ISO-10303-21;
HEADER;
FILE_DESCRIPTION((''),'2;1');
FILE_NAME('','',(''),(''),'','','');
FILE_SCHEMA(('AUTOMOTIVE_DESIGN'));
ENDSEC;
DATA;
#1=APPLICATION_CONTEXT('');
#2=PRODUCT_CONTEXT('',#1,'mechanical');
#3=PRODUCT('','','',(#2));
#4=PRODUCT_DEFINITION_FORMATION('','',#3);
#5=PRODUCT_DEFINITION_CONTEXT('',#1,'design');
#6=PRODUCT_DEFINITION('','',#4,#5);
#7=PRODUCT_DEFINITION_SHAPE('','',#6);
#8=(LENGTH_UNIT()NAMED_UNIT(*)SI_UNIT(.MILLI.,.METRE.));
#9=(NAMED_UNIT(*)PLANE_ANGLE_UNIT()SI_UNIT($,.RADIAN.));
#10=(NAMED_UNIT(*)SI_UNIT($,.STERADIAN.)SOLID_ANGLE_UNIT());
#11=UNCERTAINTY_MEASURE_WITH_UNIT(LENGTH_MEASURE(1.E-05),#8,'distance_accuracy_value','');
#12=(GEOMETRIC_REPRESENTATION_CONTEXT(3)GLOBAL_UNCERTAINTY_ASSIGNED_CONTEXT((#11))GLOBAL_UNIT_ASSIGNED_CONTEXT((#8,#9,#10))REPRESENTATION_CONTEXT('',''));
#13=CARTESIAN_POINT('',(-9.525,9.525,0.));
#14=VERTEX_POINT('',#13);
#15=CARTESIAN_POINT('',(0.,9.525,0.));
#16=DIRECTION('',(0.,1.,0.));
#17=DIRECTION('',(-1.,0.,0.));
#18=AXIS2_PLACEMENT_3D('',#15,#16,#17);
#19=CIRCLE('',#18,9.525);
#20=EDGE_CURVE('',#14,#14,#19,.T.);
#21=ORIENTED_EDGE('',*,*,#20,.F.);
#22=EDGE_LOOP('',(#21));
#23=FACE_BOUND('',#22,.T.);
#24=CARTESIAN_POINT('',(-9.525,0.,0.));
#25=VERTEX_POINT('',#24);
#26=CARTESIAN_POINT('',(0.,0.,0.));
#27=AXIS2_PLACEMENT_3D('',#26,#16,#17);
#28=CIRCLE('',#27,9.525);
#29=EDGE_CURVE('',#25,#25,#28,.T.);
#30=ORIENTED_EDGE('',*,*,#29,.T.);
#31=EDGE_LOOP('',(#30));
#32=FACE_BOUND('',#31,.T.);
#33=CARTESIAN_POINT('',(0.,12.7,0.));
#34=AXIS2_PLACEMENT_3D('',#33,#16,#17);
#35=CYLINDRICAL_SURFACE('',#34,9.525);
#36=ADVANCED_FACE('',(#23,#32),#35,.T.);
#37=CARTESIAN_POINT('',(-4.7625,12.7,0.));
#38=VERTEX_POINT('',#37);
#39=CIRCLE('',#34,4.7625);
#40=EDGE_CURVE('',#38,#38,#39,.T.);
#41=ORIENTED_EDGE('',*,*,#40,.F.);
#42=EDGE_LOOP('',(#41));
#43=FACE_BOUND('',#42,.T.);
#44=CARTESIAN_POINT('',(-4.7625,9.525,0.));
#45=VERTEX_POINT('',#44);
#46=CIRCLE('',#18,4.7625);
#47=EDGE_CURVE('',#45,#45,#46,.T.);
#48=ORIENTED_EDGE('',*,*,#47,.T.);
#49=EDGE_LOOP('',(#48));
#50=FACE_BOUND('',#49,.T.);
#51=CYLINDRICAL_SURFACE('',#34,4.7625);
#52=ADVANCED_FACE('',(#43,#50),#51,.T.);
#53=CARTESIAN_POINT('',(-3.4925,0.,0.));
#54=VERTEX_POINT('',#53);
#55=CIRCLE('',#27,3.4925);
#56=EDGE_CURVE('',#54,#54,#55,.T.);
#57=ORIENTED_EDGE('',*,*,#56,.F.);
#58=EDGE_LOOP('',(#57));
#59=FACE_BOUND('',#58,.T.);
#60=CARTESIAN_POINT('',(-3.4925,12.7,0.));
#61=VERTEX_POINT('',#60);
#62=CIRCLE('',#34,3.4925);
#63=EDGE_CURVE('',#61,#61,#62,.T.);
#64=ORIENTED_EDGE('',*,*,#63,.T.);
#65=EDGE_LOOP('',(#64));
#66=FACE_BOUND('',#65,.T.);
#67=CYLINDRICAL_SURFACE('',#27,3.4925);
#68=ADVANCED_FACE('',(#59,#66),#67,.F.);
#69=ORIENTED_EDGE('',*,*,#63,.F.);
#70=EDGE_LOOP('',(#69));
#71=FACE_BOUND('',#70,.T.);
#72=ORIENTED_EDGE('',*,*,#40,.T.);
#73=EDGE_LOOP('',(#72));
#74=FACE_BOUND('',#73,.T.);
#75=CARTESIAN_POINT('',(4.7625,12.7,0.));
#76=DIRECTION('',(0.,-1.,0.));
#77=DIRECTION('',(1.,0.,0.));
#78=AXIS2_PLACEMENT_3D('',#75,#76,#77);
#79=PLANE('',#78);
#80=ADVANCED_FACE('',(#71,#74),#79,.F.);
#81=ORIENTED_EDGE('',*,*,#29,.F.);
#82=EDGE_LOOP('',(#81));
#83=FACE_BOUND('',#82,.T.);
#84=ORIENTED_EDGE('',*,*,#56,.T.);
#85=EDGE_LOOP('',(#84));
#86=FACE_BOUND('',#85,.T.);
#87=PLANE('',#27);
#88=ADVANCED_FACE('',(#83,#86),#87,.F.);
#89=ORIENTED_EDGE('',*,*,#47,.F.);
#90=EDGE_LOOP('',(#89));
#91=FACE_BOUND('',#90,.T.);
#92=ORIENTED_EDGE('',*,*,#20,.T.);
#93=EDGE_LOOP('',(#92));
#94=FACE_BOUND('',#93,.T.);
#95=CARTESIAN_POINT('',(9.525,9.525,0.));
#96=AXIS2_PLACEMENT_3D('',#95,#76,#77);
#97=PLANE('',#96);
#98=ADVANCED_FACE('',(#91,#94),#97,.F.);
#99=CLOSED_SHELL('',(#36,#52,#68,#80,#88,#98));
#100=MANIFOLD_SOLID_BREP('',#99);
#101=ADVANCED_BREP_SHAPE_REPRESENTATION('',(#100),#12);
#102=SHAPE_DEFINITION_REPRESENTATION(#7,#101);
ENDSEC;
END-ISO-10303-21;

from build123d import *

# Parameters (mm, degrees)
SKETCH2_R          = 3.4925
CUT_EXTRUDE1_DEPTH = 13.7


with BuildPart() as part:
    # Sketch1 → Revolve1 (revolve)
    with BuildSketch(Plane.XY):
        Polygon((0, 0), (9.525, 0), (9.525, 9.525), (4.7625, 9.525), (4.7625, 12.7), (0, 12.7), align=None)
    revolve(axis=Axis((0, 12.7, 0), (0, -1, 0)))

    # Sketch2 → Cut-Extrude1 (cut, through all)
    with BuildSketch(Plane(origin=(0, 12.7, 0), x_dir=(1, 0, 0), z_dir=(0, 1, 0))):
        Circle(SKETCH2_R)
    extrude(amount=-CUT_EXTRUDE1_DEPTH, mode=Mode.SUBTRACT)


solid = part.part
